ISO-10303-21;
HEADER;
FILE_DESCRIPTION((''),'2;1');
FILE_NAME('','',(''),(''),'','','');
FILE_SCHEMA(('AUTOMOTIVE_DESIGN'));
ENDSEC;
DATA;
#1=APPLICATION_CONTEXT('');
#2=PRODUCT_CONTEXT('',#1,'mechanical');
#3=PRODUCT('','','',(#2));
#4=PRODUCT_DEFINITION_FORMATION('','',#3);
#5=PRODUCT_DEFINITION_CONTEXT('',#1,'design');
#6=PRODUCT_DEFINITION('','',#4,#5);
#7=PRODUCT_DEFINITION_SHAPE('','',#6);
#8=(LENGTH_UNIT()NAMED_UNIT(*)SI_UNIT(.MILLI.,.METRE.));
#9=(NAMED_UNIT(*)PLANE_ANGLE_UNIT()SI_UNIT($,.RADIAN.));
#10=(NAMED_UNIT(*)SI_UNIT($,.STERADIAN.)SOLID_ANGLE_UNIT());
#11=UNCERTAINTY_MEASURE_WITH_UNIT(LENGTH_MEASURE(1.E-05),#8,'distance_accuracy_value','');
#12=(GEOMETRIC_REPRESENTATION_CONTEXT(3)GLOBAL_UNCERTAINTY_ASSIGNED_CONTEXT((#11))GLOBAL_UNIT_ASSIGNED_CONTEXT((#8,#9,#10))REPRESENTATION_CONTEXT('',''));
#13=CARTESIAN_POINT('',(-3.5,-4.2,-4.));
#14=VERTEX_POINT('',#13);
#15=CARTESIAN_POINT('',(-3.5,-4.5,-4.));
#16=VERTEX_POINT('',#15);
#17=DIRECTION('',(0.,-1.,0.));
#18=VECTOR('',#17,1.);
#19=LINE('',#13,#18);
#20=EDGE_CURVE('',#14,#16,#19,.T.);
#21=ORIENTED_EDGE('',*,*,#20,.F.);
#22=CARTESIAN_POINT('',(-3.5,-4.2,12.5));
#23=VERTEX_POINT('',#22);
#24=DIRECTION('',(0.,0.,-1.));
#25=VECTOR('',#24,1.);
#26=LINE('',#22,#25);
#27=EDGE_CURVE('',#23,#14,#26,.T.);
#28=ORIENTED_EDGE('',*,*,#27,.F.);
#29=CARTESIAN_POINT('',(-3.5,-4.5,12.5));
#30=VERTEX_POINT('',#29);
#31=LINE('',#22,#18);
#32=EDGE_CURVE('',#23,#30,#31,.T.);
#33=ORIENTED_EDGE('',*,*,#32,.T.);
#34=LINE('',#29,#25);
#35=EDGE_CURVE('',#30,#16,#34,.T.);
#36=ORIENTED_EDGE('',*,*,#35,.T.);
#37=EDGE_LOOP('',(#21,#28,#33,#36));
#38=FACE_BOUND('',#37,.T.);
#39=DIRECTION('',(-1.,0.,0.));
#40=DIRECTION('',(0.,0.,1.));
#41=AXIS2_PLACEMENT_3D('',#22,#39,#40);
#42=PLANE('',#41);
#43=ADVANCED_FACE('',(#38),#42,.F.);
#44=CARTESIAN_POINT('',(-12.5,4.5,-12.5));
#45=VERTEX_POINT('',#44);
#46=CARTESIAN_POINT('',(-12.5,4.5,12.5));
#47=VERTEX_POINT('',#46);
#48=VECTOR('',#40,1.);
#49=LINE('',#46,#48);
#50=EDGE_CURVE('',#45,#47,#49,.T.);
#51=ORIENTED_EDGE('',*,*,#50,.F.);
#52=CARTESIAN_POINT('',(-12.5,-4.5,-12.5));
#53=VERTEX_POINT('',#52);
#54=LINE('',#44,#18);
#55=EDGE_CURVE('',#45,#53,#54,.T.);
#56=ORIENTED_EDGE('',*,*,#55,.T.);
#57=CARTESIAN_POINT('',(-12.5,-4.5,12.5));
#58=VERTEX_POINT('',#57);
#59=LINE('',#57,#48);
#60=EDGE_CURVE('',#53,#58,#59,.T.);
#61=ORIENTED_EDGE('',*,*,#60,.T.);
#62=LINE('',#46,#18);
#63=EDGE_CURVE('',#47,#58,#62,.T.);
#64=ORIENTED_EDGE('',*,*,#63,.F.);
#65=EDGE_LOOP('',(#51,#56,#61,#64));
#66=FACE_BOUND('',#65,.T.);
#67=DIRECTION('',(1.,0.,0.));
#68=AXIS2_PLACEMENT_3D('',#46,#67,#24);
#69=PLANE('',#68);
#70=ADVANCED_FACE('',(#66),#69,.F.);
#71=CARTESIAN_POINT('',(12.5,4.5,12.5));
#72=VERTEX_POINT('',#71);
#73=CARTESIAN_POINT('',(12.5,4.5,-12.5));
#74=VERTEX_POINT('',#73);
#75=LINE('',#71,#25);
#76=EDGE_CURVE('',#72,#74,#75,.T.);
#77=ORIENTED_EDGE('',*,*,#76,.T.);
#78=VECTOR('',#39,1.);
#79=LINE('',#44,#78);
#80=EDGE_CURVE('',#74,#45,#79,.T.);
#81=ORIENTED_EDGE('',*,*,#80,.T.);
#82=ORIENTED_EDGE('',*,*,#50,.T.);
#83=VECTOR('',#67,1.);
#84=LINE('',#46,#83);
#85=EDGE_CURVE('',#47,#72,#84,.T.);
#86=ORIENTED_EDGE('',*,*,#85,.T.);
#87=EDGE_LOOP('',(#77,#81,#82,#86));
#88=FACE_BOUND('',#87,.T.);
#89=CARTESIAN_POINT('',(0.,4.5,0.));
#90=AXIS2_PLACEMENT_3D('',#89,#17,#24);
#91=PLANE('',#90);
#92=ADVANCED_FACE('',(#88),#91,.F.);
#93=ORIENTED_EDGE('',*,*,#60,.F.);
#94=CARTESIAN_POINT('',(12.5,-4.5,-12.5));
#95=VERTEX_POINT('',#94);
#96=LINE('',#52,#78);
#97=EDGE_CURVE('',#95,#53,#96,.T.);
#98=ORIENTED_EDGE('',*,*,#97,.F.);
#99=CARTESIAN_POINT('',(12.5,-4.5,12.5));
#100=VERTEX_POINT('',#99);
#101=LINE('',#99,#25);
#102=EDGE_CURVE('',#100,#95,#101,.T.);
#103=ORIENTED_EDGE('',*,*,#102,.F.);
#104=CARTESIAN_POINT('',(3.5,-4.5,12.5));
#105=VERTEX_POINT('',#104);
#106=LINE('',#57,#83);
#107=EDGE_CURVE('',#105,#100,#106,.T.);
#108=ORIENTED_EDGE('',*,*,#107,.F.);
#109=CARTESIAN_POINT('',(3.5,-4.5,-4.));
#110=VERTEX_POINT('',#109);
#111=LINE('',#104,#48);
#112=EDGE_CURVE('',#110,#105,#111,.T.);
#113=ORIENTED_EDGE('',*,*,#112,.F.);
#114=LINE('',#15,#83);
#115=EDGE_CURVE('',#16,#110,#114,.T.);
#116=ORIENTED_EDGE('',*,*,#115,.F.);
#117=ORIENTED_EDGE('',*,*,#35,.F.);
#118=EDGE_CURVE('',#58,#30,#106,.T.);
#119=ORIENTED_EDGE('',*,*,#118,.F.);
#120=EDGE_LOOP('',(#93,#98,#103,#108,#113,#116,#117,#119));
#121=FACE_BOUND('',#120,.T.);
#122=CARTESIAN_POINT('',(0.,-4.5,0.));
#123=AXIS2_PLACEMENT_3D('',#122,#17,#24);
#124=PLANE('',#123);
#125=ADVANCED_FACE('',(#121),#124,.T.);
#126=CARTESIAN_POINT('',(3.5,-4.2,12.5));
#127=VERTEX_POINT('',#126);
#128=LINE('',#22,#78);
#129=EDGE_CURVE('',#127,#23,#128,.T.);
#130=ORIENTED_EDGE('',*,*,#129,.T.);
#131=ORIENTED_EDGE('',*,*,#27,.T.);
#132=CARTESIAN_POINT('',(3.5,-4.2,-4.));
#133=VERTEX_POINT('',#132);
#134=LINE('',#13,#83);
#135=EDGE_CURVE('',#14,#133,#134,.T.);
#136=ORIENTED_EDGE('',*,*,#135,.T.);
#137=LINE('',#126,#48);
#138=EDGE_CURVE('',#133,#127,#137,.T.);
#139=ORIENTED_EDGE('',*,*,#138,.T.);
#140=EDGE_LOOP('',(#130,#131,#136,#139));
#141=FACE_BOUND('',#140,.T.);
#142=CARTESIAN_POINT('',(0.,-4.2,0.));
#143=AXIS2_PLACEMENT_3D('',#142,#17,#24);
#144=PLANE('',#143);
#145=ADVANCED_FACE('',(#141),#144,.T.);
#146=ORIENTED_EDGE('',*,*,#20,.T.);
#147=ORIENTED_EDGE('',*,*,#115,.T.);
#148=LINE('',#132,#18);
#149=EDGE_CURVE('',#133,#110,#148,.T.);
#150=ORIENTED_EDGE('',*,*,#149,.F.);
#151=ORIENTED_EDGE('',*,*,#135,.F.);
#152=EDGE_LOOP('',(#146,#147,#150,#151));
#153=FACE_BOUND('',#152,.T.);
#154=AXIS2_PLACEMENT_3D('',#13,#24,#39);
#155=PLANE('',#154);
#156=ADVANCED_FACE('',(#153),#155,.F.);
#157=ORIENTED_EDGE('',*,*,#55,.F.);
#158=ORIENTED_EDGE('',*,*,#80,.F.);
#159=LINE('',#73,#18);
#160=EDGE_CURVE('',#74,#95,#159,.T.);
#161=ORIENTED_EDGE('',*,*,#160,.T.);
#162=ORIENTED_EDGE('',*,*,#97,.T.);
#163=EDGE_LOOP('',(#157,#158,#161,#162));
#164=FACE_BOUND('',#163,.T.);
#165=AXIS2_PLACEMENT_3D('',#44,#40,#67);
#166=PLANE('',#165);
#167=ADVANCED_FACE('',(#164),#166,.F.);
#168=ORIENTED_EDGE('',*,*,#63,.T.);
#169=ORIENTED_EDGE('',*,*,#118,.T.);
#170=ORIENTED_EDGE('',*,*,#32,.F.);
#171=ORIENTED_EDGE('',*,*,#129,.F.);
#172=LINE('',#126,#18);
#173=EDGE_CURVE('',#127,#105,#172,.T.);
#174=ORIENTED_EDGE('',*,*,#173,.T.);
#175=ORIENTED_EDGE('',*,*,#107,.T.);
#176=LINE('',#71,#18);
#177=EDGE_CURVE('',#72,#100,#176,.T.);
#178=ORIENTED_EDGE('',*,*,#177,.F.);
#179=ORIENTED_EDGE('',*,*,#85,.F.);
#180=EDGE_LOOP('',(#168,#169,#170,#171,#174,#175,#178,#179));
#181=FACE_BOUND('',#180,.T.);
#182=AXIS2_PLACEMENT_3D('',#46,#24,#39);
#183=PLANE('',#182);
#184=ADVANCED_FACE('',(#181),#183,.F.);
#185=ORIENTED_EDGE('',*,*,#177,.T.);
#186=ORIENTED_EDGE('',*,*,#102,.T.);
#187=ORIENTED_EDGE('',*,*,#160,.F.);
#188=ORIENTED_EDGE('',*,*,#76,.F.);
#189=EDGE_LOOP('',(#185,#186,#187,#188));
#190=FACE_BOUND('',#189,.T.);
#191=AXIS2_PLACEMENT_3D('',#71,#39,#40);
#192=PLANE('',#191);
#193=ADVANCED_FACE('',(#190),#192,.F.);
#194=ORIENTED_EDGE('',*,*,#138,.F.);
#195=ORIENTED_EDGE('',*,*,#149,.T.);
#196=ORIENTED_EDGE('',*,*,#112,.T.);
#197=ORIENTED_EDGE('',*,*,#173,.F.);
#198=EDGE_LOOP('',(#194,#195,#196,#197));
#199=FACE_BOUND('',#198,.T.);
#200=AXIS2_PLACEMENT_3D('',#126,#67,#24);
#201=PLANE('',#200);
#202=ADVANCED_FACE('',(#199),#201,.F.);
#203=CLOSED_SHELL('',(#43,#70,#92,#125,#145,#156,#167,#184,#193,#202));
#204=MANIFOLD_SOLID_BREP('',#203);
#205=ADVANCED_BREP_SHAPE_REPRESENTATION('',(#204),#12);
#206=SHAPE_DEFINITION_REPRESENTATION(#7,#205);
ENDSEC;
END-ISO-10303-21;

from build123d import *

# Parameters (mm, degrees)
SKETCH1_W           = 25
SKETCH1_H           = 25
BOSS_EXTRUDE1_DEPTH = 4.5
SKETCH2_W           = 7
SKETCH2_H           = 16.5
CUT_EXTRUDE1_DEPTH  = 0.3


with BuildPart() as part:
    # Sketch1 → Boss-Extrude1 (new, symmetric)
    with BuildSketch(Plane(origin=(0, 0, 0), x_dir=(1, 0, 0), z_dir=(0, 1, 0))):
        Rectangle(SKETCH1_W, SKETCH1_H)
    extrude(amount=BOSS_EXTRUDE1_DEPTH, both=True)

    # Sketch2 → Cut-Extrude1 (cut)
    with BuildSketch(Plane.XZ.offset(4.5)):
        with Locations((0, 4.25)):
            Rectangle(SKETCH2_W, SKETCH2_H)
    extrude(amount=-CUT_EXTRUDE1_DEPTH, mode=Mode.SUBTRACT)


solid = part.part
